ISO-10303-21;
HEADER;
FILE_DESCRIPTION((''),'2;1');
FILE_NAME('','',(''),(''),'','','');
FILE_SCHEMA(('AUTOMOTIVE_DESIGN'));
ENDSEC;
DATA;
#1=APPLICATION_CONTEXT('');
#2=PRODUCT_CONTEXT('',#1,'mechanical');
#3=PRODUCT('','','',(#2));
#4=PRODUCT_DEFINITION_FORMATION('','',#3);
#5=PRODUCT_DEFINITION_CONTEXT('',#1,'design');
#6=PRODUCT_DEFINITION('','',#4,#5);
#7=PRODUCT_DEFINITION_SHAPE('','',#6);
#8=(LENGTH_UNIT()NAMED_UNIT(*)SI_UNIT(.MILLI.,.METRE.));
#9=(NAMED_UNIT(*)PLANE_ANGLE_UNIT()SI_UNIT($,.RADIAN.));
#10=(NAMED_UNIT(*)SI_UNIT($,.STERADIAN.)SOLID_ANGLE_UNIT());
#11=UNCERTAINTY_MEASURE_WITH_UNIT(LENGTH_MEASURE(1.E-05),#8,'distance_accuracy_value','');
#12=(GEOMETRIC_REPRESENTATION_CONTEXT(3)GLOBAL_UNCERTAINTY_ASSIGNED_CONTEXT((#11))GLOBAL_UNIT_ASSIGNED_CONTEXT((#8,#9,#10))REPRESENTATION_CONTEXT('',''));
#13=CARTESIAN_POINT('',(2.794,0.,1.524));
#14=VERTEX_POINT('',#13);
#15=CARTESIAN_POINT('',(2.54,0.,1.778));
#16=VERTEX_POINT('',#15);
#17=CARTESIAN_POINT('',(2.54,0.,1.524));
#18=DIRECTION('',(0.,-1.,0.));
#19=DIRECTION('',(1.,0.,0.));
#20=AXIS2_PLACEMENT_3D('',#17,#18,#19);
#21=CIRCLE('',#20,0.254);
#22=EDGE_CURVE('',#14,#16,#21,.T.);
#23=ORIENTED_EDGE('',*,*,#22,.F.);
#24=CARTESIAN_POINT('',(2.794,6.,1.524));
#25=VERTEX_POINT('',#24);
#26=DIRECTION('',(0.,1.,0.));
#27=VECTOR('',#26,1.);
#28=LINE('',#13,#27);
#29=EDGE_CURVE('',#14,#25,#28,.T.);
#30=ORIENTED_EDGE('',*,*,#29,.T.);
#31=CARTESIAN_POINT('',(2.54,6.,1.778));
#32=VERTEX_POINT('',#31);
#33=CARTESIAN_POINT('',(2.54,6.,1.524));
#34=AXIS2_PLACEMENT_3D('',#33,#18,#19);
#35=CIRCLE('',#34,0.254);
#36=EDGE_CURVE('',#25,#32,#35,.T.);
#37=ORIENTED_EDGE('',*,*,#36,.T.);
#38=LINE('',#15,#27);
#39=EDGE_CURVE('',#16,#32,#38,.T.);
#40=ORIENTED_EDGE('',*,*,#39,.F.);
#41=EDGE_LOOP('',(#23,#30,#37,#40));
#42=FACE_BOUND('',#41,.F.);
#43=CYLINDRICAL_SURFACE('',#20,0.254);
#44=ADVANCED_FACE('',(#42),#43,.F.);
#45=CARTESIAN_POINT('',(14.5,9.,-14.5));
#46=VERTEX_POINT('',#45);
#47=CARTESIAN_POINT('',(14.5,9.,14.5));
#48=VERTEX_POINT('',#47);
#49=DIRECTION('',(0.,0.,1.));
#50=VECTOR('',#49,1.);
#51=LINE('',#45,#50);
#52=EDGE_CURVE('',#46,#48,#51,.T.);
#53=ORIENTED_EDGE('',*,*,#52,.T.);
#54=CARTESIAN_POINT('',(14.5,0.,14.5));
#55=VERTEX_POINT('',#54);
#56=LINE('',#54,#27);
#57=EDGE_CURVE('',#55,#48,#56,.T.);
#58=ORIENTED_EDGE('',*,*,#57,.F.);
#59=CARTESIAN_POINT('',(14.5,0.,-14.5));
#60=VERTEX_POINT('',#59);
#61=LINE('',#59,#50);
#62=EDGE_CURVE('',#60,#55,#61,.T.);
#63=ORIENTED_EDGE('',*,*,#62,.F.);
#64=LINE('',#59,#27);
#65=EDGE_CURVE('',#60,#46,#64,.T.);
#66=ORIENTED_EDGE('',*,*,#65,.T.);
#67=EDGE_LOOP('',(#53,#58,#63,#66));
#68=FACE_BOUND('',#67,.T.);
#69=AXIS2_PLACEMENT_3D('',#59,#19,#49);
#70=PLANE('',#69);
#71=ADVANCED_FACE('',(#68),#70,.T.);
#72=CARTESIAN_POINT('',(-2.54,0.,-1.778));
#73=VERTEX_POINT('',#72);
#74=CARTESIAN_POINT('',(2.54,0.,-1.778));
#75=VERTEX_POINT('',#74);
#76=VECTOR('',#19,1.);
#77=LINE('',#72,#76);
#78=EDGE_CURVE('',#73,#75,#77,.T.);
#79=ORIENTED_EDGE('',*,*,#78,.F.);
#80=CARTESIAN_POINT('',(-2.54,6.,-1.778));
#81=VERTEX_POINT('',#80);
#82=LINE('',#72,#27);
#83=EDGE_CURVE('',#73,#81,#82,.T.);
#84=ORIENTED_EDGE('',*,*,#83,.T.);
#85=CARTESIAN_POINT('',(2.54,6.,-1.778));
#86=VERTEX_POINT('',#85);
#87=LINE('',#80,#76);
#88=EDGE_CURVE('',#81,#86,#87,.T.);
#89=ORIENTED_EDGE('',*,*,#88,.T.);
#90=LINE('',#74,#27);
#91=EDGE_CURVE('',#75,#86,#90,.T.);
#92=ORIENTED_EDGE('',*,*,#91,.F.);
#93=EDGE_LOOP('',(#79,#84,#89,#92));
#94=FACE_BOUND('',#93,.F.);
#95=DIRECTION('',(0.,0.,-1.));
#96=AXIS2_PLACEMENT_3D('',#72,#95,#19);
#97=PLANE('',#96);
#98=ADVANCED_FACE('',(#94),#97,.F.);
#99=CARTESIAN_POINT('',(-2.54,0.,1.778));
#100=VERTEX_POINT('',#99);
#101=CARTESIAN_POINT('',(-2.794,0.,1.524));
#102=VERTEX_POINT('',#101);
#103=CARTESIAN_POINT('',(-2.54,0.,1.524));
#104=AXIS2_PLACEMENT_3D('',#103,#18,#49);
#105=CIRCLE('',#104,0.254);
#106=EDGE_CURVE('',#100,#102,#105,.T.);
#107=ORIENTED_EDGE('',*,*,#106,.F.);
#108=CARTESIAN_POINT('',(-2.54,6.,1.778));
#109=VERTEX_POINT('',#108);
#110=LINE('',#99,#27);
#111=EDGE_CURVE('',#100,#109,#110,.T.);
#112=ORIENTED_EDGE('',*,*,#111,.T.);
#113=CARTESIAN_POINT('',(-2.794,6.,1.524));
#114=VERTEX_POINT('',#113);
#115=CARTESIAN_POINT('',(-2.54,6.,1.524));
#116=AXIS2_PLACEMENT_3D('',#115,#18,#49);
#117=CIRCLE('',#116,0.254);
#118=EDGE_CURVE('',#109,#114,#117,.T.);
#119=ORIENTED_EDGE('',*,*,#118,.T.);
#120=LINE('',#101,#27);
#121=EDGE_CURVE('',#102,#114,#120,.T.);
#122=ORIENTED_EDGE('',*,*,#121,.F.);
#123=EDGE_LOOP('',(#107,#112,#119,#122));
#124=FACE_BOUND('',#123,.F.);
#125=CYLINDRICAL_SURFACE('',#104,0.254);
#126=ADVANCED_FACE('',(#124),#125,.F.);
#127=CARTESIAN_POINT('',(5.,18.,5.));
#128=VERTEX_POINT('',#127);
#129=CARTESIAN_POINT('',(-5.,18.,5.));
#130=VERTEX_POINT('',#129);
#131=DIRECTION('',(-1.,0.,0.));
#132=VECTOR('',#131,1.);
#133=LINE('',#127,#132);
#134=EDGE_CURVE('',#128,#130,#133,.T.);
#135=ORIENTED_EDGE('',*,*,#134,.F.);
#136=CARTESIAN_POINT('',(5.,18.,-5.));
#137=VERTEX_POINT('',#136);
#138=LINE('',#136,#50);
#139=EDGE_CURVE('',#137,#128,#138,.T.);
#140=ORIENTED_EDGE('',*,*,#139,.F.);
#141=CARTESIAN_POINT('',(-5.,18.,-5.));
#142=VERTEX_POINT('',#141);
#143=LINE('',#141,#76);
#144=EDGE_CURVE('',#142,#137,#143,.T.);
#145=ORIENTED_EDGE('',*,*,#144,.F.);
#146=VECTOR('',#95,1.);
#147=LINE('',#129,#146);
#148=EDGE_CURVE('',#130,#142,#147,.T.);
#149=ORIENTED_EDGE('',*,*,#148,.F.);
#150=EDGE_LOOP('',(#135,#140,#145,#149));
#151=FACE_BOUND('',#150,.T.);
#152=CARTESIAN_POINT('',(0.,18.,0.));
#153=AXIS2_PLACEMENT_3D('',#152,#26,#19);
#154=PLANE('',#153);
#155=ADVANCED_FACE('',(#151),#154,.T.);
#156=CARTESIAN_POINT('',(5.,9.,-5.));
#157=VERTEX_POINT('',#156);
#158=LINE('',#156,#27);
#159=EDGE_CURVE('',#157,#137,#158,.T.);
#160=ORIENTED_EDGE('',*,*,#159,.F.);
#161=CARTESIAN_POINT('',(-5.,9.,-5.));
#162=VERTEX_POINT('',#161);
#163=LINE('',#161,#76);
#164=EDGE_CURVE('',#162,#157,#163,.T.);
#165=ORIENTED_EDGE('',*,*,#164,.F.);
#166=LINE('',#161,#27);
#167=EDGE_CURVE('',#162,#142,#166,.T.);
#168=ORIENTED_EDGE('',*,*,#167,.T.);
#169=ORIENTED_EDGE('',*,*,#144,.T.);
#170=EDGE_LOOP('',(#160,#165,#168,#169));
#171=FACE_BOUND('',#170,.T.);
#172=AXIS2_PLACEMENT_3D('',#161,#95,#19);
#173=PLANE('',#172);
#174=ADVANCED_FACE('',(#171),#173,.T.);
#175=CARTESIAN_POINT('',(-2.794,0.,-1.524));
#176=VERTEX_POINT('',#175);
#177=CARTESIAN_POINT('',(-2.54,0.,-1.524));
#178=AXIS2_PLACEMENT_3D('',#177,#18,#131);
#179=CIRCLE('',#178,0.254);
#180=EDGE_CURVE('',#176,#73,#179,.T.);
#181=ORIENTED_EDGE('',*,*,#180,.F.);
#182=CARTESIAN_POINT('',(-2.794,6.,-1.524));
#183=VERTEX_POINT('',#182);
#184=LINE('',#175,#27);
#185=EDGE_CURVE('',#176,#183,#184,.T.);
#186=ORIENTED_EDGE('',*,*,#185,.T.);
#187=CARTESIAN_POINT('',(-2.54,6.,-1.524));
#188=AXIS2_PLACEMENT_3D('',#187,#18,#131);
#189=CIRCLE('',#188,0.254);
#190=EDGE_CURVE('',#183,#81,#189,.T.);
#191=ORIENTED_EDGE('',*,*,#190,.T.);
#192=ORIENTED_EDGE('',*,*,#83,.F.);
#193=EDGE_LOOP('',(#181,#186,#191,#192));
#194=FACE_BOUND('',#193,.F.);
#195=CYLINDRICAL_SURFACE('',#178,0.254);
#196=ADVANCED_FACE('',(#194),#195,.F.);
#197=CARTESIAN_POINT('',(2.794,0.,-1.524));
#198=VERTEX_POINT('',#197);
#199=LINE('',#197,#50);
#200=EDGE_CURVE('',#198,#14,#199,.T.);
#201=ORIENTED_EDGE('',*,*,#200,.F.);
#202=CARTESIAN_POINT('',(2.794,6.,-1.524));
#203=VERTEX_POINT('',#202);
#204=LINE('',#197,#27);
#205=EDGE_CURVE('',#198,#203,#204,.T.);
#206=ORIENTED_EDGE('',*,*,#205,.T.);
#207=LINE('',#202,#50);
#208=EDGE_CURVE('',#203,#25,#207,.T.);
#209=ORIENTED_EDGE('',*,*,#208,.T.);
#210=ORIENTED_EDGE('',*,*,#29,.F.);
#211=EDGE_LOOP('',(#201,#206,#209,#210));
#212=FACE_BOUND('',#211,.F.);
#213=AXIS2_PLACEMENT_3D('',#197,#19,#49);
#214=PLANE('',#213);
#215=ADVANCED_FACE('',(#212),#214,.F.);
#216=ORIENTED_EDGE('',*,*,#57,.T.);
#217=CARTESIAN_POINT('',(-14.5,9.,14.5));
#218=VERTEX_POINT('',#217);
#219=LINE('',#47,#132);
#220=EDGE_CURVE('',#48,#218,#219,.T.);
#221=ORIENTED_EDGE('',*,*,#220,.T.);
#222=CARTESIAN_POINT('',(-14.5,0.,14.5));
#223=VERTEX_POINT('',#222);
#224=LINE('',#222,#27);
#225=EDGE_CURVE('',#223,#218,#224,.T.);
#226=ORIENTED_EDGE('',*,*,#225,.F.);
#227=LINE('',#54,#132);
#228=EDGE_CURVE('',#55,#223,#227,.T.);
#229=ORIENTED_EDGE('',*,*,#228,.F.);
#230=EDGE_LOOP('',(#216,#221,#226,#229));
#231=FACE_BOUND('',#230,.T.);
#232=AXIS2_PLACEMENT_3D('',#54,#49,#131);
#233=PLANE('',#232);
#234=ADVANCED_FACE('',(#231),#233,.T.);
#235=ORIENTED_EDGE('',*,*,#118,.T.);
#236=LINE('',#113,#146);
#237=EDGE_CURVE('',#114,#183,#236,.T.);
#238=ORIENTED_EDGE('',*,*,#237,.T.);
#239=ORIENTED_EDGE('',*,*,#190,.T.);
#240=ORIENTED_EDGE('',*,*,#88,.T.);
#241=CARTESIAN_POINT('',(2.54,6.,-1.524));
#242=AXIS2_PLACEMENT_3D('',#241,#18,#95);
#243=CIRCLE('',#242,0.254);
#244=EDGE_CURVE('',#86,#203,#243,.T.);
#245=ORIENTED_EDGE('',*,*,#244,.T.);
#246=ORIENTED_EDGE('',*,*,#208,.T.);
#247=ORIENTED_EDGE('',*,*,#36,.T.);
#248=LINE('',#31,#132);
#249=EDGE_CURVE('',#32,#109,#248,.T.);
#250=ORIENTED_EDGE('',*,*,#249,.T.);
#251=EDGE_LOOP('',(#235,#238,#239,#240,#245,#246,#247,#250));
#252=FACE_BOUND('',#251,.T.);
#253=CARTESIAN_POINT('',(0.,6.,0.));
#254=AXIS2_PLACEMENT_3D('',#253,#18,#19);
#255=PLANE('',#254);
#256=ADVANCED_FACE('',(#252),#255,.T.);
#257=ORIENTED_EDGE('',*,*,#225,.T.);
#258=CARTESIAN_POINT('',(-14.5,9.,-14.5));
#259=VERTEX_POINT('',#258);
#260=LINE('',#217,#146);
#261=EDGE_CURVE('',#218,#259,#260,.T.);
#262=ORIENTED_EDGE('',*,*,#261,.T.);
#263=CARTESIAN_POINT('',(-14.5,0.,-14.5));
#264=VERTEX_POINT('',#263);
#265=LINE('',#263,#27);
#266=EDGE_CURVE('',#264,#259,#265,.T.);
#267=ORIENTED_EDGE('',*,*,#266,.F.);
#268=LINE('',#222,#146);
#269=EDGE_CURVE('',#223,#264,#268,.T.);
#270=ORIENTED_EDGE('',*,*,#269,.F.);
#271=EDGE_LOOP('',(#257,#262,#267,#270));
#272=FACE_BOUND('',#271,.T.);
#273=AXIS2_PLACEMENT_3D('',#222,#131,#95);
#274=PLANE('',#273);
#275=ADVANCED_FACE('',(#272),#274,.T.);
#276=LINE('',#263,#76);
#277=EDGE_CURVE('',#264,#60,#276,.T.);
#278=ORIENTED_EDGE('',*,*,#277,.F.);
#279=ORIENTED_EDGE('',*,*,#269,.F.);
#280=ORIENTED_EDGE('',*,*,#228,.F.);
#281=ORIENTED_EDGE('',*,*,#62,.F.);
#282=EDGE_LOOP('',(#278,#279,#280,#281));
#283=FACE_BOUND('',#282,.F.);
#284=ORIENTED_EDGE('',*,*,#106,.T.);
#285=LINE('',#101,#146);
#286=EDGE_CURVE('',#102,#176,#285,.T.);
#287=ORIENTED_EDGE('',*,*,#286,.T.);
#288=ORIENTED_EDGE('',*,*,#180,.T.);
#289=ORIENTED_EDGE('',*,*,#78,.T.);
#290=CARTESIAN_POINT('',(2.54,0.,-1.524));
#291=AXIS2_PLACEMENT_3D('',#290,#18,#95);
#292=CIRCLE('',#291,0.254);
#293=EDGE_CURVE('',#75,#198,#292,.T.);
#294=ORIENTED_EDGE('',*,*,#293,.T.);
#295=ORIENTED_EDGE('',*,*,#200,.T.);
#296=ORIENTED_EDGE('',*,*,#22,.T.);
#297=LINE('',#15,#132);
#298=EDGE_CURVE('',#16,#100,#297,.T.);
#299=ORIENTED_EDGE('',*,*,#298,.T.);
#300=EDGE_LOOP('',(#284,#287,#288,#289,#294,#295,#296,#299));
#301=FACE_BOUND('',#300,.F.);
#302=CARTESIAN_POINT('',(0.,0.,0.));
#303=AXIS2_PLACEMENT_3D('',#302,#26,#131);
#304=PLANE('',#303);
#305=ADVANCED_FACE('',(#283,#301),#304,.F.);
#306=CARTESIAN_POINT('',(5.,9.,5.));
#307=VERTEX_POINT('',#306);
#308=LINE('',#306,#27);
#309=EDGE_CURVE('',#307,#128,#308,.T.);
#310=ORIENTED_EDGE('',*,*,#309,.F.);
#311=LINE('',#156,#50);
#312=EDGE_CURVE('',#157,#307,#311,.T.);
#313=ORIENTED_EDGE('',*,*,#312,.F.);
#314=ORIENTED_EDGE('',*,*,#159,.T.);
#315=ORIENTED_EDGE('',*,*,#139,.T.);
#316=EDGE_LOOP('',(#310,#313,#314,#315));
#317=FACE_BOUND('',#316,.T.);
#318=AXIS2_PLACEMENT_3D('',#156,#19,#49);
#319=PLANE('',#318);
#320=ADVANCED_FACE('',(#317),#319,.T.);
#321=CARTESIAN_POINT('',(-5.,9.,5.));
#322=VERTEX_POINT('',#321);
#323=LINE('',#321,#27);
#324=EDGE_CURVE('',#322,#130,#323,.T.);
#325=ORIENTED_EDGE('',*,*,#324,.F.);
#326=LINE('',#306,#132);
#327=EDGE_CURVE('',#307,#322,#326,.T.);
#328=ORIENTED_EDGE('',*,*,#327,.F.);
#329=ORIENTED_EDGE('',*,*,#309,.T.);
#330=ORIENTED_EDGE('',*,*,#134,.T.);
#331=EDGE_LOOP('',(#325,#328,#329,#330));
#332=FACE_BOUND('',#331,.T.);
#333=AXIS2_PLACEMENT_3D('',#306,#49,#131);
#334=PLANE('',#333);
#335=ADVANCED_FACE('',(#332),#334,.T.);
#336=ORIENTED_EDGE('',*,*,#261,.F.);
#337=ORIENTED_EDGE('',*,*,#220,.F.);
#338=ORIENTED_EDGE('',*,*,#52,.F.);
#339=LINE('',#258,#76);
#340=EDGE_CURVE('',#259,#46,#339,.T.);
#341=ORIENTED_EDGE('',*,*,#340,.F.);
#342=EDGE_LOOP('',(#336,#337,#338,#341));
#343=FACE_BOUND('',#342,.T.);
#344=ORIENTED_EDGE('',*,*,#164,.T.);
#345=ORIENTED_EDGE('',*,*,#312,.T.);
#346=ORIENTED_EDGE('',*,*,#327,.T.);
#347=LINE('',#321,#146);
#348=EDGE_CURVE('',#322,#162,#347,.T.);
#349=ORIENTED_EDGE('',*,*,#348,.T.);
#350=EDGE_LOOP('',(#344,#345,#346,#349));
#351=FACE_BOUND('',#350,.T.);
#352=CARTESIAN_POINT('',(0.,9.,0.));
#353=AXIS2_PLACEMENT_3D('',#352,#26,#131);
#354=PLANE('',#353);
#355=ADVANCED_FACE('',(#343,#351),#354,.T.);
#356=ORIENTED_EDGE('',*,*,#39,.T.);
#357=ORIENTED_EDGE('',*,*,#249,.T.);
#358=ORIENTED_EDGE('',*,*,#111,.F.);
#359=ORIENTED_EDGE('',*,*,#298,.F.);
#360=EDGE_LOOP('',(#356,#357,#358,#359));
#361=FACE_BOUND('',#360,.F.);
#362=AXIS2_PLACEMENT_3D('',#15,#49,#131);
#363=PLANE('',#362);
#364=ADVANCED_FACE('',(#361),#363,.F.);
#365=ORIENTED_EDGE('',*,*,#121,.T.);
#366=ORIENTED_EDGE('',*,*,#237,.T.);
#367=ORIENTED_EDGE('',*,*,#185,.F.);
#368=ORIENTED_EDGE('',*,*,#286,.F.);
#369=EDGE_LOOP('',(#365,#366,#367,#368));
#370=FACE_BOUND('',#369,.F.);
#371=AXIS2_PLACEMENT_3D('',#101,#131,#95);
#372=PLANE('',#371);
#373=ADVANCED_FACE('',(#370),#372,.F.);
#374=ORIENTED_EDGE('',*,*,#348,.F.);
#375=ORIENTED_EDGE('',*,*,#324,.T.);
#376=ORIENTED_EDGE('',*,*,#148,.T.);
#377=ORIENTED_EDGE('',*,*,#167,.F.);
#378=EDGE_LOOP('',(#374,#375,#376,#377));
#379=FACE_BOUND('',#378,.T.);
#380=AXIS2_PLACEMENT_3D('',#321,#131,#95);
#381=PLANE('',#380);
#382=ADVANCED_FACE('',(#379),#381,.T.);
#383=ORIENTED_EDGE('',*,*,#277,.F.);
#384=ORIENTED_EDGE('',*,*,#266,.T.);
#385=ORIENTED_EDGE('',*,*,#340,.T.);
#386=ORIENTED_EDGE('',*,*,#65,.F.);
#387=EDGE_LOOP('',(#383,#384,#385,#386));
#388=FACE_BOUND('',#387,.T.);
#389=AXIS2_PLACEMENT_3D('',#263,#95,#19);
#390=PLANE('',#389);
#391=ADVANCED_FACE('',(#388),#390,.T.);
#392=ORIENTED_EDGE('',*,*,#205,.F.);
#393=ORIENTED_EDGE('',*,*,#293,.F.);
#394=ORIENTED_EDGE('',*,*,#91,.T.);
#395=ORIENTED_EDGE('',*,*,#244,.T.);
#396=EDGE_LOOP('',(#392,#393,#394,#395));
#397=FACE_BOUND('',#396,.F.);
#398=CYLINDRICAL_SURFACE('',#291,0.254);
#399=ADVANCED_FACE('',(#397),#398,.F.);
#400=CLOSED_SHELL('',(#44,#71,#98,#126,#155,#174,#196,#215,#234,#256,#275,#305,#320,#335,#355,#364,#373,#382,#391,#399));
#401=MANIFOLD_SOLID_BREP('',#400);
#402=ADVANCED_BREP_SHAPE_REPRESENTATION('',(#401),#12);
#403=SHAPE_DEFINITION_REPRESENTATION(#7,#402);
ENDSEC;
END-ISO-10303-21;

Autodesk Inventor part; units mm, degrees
ref_plane "YZ Plane" through (0, 0, 0) normal (1, 0, 0) x (0, 1, 0)
ref_plane "XZ Plane" through (0, 0, 0) normal (0, 1, 0) x (-1, 0, 0)
ref_plane "XY Plane" through (0, 0, 0) normal (0, 0, 1) x (1, 0, 0)
sketch "Sketch1" plane through (0, 0, 0) normal (0, 1, 0) x (-1, 0, 0)
  line L0 (14.5, -14.5) -> (-14.5, -14.5)
  line L1 (-14.5, -14.5) -> (-14.5, 14.5)
  line L2 (-14.5, 14.5) -> (14.5, 14.5)
  line L3 (14.5, 14.5) -> (14.5, -14.5)
  dimension "d11" = 29
  dimension "d14" = 29
extrude "Extrusion1" add sketch "Sketch1" along normal blind 9
sketch "Sketch2" plane through (0, 9, 0) normal (0, 1, 0) x (1, 0, 0)
  line L0 (-5, 5) -> (5, 5)
  line L1 (5, 5) -> (5, -5)
  line L2 (5, -5) -> (-5, -5)
  line L3 (-5, -5) -> (-5, 5)
  line L4 (14.5, 14.5) -> (-14.5, 14.5) projected
  line L5 (14.5, -14.5) -> (14.5, 14.5) projected
  line L6 (-14.5, -14.5) -> (14.5, -14.5) projected
  line L7 (-14.5, 14.5) -> (-14.5, -14.5) projected
  point P0 (0, 0)
  dimension "d15" = 9.5
  dimension "d16" = 9.5
  dimension "d17" = 9.5
  dimension "d18" = 9.5
extrude "Extrusion2" add sketch "Sketch2" along normal blind 9 contours L0 L1 L2 L3
sketch "Sketch3" plane through (0, 0, 0) normal (0, -1, 0) x (1, 0, 0)
  line L0 (2.54, 1.778) -> (-2.54, 1.778)
  line L1 (-2.794, 1.524) -> (-2.794, -1.524)
  line L2 (-2.54, -1.778) -> (2.54, -1.778)
  line L3 (2.794, -1.524) -> (2.794, 1.524)
  arc A0 (2.794, 1.7526) -> (2.7686, 1.778) centre (2.7686, 1.7526) ccw
  arc A1 (2.794, 1.524) -> (2.54, 1.778) centre (2.54, 1.524) ccw
  arc A2 (2.54, -1.778) -> (2.794, -1.524) centre (2.54, -1.524) ccw
  arc A3 (-2.794, -1.524) -> (-2.54, -1.778) centre (-2.54, -1.524) ccw
  arc A4 (-2.54, 1.778) -> (-2.794, 1.524) centre (-2.54, 1.524) ccw
  point P0 (0, 0)
  point P1 (-0.254, 0)
  point P2 (-0.254, 0)
  dimension "d21" = 1.778
  dimension "d22" = 3.556
  dimension "d23" = 5.588
  dimension "d24" = 2.54
  dimension "d25" = 0.0254
  dimension "d26" = 0.254
  dimension "d27" = 2.794
  dimension "d28" = 1.778
extrude "Extrusion3" cut sketch "Sketch3" against normal blind 6
sketch "Sketch4" plane through (0, 0, 0) normal (0, -1, 0) x (1, 0, 0)
  point P0 (0, 0)
equation "\"d14\" = d11"
equation "\"d16\" = d15"
equation "\"d17\" = d15"
equation "\"d18\" = d15"
equation "\"d21\" = 0.5 * d22"
properties part number "Motor_fit_check"
